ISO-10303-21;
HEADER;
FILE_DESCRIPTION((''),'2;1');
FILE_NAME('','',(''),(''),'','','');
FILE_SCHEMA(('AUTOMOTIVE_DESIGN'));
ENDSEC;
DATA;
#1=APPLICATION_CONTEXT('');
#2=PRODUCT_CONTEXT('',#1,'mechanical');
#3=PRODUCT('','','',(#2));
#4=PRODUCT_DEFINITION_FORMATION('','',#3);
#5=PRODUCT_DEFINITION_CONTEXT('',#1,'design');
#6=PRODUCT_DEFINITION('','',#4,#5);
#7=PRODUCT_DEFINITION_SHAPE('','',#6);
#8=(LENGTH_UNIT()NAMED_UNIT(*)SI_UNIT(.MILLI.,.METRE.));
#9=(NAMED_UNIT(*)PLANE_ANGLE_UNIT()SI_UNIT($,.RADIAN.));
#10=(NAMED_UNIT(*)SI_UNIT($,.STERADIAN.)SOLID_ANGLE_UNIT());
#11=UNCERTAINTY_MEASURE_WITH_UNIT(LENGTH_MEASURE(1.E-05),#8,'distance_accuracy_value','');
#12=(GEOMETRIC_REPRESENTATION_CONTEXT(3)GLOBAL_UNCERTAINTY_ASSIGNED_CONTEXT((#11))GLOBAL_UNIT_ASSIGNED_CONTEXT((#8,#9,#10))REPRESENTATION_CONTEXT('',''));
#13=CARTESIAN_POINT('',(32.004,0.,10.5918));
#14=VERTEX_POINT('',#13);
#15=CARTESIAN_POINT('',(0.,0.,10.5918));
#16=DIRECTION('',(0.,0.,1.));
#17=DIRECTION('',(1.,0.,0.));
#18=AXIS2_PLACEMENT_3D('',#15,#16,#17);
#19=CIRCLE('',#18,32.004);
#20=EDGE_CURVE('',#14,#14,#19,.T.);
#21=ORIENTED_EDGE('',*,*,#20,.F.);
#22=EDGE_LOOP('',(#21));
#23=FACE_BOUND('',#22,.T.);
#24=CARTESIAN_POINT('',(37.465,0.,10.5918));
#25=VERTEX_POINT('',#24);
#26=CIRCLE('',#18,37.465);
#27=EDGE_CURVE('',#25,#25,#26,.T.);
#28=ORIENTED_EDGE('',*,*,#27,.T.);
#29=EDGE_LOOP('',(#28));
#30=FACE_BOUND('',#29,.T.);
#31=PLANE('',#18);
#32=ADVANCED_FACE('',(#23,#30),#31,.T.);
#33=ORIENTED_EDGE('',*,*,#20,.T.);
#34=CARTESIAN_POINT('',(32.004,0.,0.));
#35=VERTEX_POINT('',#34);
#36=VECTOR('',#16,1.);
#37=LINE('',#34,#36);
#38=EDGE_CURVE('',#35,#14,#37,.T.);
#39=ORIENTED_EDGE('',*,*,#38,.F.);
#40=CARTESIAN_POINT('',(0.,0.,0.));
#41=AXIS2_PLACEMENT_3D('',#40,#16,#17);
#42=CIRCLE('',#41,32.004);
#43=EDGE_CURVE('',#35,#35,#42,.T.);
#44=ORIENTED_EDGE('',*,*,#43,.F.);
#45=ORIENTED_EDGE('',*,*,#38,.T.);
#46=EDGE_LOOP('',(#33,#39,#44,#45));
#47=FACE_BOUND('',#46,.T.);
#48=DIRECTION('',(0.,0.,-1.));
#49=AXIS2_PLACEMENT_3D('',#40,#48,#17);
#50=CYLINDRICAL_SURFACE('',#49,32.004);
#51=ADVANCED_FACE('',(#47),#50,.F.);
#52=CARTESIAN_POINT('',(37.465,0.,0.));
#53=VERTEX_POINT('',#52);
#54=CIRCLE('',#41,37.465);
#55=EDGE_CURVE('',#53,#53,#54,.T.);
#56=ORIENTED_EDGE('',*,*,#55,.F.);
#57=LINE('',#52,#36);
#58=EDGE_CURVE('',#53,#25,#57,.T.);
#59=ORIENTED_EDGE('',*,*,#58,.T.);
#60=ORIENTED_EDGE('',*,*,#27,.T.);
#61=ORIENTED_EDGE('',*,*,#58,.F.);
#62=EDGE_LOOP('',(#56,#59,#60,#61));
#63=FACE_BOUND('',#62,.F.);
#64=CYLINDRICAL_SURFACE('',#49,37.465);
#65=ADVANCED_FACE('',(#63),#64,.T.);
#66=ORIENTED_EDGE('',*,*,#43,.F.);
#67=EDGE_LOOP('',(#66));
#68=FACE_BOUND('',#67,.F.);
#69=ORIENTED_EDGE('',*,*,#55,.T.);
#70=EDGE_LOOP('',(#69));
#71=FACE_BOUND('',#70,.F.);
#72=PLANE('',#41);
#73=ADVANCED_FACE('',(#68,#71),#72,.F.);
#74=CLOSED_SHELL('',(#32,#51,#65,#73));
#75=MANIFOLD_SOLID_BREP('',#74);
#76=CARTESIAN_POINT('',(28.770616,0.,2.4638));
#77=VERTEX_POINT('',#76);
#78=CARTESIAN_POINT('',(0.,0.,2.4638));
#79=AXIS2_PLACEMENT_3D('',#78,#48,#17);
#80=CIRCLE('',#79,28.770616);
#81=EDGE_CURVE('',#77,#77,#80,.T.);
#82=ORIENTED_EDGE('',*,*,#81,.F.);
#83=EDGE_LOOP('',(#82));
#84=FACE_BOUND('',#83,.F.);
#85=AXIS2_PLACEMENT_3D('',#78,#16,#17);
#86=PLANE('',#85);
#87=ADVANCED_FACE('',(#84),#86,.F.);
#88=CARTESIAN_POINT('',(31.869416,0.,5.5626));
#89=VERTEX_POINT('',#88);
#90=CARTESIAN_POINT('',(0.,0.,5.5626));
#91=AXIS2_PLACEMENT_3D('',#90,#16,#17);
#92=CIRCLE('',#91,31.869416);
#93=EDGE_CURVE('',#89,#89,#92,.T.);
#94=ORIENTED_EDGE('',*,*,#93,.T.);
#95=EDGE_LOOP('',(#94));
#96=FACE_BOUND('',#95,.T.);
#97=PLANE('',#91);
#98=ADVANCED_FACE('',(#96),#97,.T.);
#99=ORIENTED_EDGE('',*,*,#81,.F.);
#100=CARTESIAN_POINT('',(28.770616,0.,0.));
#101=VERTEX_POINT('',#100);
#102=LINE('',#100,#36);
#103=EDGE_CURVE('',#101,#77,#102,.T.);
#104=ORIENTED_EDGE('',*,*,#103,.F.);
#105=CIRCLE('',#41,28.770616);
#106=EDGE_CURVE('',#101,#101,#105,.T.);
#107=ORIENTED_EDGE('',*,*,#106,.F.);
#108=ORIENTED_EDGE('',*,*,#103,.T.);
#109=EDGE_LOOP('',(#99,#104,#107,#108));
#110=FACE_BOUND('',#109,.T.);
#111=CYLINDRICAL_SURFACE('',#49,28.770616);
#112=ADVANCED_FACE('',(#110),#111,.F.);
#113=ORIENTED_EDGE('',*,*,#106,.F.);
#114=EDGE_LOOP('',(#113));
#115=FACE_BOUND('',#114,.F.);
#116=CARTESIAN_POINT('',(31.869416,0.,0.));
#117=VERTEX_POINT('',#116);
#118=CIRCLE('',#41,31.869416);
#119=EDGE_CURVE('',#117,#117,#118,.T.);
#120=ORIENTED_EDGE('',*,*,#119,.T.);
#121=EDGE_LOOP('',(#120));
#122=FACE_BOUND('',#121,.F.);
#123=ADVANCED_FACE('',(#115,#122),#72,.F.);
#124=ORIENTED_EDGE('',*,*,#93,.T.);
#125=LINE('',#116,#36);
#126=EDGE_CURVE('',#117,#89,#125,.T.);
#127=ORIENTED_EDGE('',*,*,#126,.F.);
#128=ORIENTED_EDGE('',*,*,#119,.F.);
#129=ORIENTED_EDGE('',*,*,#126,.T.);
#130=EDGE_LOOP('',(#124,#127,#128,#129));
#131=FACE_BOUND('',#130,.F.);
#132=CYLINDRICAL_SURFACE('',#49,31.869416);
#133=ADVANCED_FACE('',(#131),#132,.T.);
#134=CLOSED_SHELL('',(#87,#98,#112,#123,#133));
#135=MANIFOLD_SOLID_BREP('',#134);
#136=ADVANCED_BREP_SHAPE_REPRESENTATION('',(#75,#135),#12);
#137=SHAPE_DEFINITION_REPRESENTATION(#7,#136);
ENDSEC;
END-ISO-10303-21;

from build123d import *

# Parameters (mm, degrees)
F0_R     = 37.465
F0_R_2   = 32.004
F1_DEPTH = 10.5918
F2_R     = 31.869416
F3_DEPTH = 5.5626
F4_T     = -3.0988


with BuildPart() as f1:
    # F0 (on Top) → F1 (new body)
    with BuildSketch(Plane.XY):
        Circle(F0_R)
        Circle(F0_R_2, mode=Mode.SUBTRACT)
    extrude(amount=F1_DEPTH)


with BuildPart() as f3:
    # F2 (on Top) → F3 (new body)
    with BuildSketch(Plane.XY):
        Circle(F2_R)
    extrude(amount=F3_DEPTH)

    # F4
    f4_openings = [f3.faces().sort_by_distance(p)[0] for p in [
        (0, 0, 0),
    ]]
    offset(amount=F4_T, openings=f4_openings)


solid = Compound([f1.part, f3.part])
